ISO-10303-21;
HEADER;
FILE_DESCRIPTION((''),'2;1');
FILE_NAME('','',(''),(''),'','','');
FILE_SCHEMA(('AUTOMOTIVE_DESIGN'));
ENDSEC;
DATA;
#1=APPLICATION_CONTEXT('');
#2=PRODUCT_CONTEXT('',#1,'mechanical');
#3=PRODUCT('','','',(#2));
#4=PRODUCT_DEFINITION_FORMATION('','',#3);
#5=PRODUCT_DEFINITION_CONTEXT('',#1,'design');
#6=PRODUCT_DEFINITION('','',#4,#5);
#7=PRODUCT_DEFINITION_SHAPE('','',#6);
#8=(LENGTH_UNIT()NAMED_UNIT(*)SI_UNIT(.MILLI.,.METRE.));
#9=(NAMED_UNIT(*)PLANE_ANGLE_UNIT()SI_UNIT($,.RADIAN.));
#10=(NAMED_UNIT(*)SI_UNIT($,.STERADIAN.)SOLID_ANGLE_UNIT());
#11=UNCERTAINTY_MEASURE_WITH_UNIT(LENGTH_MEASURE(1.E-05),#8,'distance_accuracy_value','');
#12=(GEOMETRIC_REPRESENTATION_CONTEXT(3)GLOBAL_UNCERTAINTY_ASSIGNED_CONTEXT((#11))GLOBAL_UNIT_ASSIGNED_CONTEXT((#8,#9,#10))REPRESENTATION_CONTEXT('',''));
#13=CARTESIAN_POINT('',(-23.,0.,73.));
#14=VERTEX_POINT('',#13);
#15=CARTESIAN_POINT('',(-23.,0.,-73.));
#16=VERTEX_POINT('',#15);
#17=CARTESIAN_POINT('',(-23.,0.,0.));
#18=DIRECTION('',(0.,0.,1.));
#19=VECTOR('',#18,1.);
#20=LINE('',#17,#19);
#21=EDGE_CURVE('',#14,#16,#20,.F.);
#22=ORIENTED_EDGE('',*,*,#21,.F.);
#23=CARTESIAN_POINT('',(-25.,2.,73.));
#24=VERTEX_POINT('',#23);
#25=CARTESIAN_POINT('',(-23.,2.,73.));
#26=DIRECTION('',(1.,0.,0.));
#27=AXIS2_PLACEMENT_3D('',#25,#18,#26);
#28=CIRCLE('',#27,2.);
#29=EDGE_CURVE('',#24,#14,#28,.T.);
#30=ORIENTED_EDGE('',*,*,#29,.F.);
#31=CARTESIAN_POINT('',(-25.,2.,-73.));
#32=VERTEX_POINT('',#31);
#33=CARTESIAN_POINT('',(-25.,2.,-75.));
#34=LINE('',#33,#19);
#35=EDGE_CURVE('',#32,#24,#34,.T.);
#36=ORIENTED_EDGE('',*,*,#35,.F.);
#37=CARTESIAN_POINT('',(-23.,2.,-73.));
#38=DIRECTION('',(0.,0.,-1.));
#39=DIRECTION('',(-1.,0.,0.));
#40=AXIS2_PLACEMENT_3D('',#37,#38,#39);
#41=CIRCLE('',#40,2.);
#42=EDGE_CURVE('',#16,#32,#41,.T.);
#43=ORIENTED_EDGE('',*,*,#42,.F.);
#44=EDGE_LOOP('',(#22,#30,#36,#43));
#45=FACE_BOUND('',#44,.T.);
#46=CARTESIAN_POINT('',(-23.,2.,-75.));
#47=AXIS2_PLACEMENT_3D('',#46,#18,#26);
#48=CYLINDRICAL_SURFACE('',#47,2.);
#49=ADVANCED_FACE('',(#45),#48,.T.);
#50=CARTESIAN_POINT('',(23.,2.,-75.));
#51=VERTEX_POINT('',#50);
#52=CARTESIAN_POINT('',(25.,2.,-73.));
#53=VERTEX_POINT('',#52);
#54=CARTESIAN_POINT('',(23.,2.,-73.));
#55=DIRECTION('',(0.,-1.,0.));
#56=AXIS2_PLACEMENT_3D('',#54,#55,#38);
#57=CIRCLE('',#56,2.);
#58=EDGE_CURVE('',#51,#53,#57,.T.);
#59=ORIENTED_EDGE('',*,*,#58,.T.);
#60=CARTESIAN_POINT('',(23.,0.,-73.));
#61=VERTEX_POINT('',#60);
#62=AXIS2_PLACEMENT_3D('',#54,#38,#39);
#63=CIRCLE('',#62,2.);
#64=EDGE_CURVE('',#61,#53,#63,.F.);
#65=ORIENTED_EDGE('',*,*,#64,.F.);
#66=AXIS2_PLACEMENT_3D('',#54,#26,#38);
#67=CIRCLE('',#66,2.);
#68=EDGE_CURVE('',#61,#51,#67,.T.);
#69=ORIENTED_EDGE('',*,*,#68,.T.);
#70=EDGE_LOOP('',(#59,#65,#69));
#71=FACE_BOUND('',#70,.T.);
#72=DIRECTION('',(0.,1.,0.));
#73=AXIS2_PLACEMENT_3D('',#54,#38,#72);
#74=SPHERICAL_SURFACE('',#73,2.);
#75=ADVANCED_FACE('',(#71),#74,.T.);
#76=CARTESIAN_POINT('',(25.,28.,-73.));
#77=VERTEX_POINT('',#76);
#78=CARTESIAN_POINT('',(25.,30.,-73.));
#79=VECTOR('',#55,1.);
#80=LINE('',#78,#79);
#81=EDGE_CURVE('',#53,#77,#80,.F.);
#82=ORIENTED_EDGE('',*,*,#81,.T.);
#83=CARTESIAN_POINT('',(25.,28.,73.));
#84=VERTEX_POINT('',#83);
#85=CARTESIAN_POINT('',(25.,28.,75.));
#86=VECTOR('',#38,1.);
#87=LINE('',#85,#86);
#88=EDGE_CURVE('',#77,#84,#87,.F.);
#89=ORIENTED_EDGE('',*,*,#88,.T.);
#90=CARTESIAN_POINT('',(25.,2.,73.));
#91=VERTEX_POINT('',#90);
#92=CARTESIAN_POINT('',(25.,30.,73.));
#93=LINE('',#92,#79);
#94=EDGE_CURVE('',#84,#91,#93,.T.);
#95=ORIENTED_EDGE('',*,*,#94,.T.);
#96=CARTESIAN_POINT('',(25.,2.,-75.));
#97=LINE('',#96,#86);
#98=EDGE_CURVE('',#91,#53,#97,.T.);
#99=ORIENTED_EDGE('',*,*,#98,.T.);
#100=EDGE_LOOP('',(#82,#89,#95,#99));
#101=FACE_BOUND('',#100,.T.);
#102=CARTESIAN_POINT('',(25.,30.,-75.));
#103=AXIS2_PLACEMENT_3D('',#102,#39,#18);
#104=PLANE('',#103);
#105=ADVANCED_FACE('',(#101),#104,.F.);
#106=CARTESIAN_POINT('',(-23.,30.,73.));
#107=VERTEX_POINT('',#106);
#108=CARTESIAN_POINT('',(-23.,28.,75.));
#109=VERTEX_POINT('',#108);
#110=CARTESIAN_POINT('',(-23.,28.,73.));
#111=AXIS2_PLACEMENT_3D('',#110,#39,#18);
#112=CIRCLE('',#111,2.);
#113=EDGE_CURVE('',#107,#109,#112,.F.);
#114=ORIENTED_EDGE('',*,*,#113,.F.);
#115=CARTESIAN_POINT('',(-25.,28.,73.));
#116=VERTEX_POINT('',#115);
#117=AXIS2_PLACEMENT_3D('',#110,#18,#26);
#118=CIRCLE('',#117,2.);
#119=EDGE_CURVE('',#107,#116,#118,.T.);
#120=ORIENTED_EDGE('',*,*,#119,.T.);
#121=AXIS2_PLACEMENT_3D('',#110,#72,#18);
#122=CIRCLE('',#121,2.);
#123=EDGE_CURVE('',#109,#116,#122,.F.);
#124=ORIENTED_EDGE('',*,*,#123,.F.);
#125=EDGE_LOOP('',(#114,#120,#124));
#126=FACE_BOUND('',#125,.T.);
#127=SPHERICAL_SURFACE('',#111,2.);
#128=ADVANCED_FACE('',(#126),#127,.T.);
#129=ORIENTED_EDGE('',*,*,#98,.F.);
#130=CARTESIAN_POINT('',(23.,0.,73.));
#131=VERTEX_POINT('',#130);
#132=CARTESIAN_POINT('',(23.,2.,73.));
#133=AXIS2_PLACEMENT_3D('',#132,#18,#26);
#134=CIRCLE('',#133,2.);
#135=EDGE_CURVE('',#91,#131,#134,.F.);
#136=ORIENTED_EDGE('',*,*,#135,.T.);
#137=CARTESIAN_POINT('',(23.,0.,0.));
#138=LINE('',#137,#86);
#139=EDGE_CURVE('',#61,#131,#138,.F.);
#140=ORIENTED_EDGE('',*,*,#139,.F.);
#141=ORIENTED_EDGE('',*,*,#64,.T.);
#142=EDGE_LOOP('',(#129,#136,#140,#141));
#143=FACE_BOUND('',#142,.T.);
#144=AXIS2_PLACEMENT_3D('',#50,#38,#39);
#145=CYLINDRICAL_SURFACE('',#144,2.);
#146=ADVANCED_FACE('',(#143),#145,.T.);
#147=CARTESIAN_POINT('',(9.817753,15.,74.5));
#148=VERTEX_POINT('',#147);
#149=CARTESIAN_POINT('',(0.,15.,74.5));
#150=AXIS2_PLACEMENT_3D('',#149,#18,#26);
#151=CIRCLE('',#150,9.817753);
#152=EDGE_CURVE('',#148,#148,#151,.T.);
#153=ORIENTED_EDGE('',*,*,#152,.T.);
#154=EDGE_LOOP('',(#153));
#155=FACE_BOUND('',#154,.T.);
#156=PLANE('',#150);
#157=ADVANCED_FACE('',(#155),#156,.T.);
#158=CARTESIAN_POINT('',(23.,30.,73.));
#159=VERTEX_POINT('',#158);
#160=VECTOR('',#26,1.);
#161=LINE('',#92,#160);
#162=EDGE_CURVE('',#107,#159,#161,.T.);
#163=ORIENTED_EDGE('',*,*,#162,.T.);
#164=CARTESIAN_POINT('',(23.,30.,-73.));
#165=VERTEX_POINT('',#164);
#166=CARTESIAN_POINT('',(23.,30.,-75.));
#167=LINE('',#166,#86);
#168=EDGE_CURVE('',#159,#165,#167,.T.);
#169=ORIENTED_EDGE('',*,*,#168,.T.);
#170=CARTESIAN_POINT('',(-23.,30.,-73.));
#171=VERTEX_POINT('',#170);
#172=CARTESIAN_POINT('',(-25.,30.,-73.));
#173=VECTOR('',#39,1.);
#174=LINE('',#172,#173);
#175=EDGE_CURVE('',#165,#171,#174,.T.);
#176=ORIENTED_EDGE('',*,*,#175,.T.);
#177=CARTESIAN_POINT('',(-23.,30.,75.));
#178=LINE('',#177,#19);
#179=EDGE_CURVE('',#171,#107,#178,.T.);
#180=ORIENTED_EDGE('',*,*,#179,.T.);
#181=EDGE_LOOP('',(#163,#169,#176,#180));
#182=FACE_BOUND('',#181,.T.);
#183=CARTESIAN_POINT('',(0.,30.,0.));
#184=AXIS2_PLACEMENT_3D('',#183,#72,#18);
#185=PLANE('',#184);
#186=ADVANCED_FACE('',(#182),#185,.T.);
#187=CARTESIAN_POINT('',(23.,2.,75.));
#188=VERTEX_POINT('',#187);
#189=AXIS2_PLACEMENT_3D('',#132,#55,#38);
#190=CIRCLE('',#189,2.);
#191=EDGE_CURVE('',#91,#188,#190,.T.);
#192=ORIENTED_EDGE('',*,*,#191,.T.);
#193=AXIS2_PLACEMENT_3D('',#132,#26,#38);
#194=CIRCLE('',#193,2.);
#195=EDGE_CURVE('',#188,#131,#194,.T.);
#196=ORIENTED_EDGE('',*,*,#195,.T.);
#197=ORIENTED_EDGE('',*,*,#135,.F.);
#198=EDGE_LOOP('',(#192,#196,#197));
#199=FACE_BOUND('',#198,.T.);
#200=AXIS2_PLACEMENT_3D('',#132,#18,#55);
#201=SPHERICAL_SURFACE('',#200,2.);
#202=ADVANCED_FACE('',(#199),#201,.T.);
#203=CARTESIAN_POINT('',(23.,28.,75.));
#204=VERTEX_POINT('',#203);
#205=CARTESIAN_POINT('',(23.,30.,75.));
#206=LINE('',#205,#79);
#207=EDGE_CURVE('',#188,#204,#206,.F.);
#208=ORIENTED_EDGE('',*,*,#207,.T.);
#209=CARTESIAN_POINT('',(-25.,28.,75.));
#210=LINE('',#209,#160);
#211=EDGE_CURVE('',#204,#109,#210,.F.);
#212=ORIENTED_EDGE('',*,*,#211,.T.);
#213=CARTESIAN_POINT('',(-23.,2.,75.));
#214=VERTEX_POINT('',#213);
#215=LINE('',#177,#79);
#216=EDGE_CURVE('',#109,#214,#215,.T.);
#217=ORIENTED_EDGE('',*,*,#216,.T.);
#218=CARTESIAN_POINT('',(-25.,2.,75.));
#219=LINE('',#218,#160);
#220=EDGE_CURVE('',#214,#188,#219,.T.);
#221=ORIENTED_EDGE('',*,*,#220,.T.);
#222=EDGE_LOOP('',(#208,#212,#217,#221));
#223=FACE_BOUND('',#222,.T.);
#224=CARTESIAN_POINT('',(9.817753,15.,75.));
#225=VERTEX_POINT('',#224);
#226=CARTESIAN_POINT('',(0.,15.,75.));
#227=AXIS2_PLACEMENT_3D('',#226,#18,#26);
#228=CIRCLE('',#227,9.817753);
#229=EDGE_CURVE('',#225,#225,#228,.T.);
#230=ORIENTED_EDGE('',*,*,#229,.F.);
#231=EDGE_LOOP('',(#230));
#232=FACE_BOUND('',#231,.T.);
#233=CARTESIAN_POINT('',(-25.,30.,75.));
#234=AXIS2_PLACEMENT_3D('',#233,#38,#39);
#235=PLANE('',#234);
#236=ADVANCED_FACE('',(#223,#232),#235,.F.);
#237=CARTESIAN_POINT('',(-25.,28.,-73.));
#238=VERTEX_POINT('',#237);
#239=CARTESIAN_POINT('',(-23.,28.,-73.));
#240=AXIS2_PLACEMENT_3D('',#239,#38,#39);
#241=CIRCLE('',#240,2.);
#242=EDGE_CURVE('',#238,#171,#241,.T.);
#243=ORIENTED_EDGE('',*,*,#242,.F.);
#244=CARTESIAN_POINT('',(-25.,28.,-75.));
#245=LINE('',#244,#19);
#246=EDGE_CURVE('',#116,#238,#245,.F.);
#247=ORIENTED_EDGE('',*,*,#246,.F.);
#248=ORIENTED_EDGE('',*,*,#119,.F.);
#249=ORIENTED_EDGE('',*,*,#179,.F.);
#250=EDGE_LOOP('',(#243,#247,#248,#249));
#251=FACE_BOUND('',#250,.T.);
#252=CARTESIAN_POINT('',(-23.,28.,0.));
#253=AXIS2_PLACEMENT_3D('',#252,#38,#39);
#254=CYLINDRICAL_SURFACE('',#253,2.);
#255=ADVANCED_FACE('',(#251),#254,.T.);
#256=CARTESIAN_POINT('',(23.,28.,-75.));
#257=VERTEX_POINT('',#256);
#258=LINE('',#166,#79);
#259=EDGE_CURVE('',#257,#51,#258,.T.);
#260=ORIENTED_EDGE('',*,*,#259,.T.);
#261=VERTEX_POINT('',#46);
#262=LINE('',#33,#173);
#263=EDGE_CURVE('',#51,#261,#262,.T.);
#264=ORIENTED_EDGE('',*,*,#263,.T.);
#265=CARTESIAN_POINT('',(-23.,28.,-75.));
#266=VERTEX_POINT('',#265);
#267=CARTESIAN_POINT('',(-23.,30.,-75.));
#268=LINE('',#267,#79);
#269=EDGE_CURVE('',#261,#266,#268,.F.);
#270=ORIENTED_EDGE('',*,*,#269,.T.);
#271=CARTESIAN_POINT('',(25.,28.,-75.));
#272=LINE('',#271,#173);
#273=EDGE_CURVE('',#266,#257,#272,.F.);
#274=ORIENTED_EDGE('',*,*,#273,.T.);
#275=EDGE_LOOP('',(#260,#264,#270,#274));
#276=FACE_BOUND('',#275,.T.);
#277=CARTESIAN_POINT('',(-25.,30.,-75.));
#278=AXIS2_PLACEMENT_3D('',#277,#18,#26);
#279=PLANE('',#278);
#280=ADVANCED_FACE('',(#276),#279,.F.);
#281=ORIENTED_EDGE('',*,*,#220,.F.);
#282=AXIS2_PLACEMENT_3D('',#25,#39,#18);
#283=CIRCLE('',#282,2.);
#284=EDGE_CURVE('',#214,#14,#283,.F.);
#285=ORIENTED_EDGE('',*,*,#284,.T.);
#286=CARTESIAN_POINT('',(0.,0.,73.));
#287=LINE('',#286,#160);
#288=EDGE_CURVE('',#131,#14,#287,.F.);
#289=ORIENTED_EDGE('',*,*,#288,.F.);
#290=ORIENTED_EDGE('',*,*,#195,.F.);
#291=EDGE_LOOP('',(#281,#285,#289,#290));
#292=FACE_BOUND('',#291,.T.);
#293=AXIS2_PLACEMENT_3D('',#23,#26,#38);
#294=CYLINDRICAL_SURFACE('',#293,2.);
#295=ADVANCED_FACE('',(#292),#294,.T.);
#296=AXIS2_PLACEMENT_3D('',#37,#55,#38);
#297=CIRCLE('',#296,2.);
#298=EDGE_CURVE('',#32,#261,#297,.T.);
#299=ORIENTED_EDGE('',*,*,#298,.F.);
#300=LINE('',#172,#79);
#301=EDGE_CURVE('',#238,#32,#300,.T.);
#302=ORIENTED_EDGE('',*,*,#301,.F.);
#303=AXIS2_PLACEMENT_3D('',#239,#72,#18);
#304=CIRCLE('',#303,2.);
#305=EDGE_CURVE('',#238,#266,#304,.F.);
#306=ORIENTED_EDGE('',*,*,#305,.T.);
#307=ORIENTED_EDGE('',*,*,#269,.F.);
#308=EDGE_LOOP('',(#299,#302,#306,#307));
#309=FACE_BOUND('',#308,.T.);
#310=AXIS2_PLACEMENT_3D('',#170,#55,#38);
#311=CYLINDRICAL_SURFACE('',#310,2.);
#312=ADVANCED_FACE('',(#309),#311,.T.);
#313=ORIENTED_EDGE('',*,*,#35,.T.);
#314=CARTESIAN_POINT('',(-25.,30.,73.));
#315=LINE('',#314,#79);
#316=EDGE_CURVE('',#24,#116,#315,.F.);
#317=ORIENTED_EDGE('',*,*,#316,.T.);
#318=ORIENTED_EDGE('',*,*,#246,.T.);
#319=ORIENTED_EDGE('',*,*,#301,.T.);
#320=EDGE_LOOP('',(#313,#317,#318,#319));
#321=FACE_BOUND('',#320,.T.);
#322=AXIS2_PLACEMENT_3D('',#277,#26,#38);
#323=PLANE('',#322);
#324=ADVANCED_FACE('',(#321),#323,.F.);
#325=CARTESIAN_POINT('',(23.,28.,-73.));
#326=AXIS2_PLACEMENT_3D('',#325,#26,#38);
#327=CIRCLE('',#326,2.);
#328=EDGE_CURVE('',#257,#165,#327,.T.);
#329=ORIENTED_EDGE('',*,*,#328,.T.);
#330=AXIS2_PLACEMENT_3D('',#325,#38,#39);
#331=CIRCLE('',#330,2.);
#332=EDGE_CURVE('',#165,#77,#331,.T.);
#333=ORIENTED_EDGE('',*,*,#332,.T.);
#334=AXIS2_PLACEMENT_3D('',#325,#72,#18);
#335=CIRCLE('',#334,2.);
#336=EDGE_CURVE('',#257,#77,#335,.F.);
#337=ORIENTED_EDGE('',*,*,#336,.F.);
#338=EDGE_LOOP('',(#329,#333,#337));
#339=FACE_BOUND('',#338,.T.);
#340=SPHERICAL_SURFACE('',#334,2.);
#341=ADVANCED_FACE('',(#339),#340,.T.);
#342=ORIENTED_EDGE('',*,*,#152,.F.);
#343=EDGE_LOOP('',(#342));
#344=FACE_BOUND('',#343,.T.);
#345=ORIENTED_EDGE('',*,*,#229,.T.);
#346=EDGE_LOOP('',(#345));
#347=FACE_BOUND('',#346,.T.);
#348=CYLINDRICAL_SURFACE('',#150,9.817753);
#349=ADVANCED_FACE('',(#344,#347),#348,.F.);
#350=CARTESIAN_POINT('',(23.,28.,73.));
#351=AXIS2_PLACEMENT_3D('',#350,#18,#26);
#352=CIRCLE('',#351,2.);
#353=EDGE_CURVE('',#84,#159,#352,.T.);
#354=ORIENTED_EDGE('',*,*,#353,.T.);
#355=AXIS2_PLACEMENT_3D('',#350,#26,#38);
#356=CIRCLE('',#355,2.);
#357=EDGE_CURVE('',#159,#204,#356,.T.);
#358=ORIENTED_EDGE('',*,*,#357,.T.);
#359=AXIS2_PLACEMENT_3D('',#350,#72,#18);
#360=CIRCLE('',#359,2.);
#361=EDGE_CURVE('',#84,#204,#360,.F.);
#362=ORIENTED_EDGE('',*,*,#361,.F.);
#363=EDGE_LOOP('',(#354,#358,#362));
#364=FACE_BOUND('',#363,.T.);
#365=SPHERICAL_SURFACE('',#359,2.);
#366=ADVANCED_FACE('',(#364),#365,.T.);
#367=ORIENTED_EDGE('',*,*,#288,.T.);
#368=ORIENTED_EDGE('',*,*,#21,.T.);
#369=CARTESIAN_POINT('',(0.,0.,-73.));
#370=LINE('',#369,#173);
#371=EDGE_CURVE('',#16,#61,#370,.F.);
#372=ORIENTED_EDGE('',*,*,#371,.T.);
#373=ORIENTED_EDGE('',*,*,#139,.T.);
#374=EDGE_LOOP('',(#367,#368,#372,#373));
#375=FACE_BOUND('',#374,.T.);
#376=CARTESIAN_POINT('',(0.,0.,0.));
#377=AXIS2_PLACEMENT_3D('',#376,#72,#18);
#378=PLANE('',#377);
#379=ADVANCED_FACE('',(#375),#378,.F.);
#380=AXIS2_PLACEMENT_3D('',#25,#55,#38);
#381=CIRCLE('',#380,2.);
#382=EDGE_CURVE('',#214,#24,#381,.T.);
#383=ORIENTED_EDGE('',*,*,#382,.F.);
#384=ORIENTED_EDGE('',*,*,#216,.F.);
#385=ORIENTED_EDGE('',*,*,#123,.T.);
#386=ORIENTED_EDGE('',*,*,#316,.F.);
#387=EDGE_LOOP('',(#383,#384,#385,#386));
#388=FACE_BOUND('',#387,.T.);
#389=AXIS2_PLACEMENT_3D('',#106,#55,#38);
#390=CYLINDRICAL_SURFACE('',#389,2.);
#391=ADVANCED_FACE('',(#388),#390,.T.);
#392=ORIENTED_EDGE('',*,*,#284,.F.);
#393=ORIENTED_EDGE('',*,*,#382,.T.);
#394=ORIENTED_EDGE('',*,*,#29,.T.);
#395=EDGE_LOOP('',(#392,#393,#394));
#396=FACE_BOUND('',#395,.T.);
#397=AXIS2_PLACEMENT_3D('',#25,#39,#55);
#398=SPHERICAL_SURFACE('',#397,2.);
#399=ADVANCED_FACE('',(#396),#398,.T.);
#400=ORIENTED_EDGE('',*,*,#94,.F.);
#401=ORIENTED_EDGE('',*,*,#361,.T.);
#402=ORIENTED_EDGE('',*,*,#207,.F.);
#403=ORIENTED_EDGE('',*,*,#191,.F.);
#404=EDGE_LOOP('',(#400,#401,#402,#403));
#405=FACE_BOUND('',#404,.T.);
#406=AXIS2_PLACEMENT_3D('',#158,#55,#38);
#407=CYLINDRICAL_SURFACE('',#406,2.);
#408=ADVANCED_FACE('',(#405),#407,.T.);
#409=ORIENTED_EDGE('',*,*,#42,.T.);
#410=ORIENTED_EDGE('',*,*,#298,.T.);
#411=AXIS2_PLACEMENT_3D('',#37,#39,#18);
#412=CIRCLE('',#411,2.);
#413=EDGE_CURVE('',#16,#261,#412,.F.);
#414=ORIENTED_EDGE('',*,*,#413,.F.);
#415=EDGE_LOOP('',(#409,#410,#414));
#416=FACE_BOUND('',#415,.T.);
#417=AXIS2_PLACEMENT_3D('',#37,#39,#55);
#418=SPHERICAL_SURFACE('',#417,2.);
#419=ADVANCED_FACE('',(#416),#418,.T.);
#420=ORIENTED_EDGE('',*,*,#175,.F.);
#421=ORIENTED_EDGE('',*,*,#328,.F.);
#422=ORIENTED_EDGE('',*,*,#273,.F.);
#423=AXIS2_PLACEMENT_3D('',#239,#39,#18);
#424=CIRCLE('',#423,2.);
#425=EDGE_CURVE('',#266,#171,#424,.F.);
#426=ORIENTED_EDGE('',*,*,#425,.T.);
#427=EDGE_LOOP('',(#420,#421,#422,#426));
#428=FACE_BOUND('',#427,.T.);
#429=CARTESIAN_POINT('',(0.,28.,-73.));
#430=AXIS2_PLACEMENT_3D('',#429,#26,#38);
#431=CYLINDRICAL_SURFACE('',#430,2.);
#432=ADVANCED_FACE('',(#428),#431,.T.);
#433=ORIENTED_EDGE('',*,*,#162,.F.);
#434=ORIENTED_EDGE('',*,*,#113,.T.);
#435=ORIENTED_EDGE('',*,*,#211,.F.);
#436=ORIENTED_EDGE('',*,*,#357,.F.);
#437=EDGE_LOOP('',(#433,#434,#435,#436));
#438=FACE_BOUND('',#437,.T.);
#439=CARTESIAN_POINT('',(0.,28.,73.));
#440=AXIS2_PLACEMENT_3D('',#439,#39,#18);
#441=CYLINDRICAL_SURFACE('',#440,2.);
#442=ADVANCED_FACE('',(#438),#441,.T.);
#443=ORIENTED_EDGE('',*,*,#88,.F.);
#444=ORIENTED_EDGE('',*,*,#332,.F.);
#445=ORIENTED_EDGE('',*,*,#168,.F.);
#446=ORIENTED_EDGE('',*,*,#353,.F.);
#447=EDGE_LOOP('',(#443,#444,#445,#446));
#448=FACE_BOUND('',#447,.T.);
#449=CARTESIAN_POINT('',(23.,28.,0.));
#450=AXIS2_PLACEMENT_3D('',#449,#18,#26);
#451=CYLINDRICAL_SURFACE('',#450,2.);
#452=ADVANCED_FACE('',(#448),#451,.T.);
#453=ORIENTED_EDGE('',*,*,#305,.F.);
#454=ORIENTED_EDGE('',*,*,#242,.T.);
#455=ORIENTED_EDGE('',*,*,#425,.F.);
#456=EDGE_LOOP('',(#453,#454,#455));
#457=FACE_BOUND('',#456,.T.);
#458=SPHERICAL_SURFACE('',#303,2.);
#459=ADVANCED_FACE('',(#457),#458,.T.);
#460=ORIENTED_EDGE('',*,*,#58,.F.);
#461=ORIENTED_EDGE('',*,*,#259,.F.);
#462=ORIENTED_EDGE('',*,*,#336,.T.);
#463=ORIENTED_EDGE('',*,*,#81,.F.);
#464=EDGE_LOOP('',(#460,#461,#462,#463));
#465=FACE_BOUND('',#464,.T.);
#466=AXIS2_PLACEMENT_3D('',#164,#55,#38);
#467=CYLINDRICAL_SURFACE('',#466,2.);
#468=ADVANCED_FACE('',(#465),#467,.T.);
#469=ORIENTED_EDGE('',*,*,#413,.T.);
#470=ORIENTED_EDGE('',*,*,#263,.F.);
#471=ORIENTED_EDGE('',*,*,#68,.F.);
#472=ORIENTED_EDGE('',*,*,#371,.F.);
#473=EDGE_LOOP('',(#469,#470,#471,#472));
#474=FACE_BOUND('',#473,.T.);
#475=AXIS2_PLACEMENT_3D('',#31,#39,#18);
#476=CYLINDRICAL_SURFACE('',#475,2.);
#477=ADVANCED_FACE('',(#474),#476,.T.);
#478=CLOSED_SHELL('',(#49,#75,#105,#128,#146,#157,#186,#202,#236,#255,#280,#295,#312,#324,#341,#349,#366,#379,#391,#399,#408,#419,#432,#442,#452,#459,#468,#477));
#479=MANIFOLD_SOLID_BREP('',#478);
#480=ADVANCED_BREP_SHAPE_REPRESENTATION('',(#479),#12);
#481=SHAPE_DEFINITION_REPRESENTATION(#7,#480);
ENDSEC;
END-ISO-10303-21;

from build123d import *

# Parameters (mm, degrees)
SKETCH2_W           = 50
SKETCH2_H           = 150
BOSS_EXTRUDE1_DEPTH = 30
FILLET1_R           = 2
SKETCH3_R           = 9.81775282
CUT_EXTRUDE1_DEPTH  = 0.5


with BuildPart() as part:
    # Sketch2 → Boss-Extrude1 (new body)
    with BuildSketch(Plane(origin=(0, 0, 0), x_dir=(1, 0, 0), z_dir=(0, 1, 0))):
        Rectangle(SKETCH2_W, SKETCH2_H)
    extrude(amount=BOSS_EXTRUDE1_DEPTH)

    # Fillet1
    fillet1_edges = [part.edges().sort_by_distance(p)[0] for p in [
        (-25, 30, 0),
        (0, 30, 75),
        (25, 30, 0),
        (0, 0, 75),
        (-25, 0, 0),
        (0, 0, -75),
        (25, 0, 0),
        (25, 15, 75),
        (-25, 15, 75),
        (-25, 15, -75),
        (25, 15, -75),
        (0, 30, -75),
    ]]
    fillet(fillet1_edges, radius=FILLET1_R)

    # Sketch3 → Cut-Extrude1 (cut)
    with BuildSketch(Plane.XY.offset(75)):
        with Locations((0, 15)):
            Circle(SKETCH3_R)
    extrude(amount=-CUT_EXTRUDE1_DEPTH, mode=Mode.SUBTRACT)


solid = part.part
